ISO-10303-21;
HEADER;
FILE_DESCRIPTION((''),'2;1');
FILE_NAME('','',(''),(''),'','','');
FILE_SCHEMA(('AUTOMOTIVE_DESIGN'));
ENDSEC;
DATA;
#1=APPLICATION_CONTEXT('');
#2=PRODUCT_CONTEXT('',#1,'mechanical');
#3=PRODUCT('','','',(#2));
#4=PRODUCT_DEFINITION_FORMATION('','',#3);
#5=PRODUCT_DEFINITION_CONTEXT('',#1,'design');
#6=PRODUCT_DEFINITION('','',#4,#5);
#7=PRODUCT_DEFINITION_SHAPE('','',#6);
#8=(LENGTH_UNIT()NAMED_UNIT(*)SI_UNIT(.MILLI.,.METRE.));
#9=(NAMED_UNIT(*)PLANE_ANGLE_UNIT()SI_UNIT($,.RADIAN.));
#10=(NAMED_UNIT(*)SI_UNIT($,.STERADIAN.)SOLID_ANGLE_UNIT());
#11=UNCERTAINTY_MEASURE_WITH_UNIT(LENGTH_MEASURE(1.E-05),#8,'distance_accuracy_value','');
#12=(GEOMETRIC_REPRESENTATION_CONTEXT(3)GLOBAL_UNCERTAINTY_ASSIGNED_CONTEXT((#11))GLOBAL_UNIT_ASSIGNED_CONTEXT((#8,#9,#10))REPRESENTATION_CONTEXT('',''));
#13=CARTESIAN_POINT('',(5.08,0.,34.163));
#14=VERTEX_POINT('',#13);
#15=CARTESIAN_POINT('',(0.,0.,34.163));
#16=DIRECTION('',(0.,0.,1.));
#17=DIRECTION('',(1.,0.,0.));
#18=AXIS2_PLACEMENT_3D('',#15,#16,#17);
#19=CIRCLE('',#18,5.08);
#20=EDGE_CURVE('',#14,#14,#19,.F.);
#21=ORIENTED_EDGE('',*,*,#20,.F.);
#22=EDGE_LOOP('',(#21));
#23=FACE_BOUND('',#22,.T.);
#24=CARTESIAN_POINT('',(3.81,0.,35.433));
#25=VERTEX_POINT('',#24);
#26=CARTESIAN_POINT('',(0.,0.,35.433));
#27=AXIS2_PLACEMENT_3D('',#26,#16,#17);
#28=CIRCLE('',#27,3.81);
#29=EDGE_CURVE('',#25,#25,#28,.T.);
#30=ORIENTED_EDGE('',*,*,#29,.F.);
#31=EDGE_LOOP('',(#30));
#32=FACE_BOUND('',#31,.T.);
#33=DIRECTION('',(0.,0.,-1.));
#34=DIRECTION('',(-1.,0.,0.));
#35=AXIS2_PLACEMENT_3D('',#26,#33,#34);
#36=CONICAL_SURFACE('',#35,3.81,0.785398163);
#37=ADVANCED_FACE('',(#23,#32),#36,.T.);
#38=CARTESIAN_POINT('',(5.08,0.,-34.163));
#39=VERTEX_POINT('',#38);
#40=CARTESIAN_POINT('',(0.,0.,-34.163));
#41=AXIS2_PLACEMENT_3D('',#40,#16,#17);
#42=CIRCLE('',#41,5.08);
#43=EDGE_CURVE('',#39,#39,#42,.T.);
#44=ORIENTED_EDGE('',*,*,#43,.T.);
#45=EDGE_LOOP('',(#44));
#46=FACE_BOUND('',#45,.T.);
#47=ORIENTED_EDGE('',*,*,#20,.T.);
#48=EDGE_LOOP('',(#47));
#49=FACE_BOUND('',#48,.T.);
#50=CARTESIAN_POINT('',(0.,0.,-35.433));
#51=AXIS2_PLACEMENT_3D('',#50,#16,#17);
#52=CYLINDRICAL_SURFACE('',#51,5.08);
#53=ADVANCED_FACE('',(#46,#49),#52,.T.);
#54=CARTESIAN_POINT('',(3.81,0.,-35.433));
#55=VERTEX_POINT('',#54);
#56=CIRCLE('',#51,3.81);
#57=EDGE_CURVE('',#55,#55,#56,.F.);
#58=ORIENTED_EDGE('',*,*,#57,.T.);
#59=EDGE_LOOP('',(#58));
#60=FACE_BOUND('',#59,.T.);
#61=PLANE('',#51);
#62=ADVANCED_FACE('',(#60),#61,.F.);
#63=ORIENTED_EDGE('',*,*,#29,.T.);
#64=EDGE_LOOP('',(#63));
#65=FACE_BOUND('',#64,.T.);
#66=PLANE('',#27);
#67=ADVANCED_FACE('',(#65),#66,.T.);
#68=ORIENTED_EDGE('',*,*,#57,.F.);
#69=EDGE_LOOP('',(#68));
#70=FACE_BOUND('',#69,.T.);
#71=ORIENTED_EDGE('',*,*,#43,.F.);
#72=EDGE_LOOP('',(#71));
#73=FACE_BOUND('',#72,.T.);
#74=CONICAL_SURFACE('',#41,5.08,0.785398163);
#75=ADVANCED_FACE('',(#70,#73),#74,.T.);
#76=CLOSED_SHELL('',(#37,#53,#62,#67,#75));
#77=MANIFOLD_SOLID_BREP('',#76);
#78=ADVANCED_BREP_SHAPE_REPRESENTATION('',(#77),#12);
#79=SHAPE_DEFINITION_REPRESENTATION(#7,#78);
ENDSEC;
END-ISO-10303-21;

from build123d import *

# Parameters (mm, degrees)
BOSS_EXTRUDE1_DEPTH      = 35.433
BOSS_EXTRUDE1_DEPTH_BACK = 35.433
SKETCH1_R                = 5.08
CHAMFER1_SIZE            = 1.27


with BuildPart() as part:
    # Sketch1 → Boss-Extrude1 (new, two sides: drawn at the far end of the back side and taken through both)
    with BuildSketch(Plane.XY.offset(-BOSS_EXTRUDE1_DEPTH_BACK)):
        Circle(SKETCH1_R)
    extrude(amount=BOSS_EXTRUDE1_DEPTH + BOSS_EXTRUDE1_DEPTH_BACK)

    # Chamfer1
    chamfer1_edges = [part.edges().sort_by_distance(p)[0] for p in [
        (-5.08, 0, 35.433),
        (-5.08, 0, -35.433),
    ]]
    chamfer(chamfer1_edges, length=CHAMFER1_SIZE)


solid = part.part
